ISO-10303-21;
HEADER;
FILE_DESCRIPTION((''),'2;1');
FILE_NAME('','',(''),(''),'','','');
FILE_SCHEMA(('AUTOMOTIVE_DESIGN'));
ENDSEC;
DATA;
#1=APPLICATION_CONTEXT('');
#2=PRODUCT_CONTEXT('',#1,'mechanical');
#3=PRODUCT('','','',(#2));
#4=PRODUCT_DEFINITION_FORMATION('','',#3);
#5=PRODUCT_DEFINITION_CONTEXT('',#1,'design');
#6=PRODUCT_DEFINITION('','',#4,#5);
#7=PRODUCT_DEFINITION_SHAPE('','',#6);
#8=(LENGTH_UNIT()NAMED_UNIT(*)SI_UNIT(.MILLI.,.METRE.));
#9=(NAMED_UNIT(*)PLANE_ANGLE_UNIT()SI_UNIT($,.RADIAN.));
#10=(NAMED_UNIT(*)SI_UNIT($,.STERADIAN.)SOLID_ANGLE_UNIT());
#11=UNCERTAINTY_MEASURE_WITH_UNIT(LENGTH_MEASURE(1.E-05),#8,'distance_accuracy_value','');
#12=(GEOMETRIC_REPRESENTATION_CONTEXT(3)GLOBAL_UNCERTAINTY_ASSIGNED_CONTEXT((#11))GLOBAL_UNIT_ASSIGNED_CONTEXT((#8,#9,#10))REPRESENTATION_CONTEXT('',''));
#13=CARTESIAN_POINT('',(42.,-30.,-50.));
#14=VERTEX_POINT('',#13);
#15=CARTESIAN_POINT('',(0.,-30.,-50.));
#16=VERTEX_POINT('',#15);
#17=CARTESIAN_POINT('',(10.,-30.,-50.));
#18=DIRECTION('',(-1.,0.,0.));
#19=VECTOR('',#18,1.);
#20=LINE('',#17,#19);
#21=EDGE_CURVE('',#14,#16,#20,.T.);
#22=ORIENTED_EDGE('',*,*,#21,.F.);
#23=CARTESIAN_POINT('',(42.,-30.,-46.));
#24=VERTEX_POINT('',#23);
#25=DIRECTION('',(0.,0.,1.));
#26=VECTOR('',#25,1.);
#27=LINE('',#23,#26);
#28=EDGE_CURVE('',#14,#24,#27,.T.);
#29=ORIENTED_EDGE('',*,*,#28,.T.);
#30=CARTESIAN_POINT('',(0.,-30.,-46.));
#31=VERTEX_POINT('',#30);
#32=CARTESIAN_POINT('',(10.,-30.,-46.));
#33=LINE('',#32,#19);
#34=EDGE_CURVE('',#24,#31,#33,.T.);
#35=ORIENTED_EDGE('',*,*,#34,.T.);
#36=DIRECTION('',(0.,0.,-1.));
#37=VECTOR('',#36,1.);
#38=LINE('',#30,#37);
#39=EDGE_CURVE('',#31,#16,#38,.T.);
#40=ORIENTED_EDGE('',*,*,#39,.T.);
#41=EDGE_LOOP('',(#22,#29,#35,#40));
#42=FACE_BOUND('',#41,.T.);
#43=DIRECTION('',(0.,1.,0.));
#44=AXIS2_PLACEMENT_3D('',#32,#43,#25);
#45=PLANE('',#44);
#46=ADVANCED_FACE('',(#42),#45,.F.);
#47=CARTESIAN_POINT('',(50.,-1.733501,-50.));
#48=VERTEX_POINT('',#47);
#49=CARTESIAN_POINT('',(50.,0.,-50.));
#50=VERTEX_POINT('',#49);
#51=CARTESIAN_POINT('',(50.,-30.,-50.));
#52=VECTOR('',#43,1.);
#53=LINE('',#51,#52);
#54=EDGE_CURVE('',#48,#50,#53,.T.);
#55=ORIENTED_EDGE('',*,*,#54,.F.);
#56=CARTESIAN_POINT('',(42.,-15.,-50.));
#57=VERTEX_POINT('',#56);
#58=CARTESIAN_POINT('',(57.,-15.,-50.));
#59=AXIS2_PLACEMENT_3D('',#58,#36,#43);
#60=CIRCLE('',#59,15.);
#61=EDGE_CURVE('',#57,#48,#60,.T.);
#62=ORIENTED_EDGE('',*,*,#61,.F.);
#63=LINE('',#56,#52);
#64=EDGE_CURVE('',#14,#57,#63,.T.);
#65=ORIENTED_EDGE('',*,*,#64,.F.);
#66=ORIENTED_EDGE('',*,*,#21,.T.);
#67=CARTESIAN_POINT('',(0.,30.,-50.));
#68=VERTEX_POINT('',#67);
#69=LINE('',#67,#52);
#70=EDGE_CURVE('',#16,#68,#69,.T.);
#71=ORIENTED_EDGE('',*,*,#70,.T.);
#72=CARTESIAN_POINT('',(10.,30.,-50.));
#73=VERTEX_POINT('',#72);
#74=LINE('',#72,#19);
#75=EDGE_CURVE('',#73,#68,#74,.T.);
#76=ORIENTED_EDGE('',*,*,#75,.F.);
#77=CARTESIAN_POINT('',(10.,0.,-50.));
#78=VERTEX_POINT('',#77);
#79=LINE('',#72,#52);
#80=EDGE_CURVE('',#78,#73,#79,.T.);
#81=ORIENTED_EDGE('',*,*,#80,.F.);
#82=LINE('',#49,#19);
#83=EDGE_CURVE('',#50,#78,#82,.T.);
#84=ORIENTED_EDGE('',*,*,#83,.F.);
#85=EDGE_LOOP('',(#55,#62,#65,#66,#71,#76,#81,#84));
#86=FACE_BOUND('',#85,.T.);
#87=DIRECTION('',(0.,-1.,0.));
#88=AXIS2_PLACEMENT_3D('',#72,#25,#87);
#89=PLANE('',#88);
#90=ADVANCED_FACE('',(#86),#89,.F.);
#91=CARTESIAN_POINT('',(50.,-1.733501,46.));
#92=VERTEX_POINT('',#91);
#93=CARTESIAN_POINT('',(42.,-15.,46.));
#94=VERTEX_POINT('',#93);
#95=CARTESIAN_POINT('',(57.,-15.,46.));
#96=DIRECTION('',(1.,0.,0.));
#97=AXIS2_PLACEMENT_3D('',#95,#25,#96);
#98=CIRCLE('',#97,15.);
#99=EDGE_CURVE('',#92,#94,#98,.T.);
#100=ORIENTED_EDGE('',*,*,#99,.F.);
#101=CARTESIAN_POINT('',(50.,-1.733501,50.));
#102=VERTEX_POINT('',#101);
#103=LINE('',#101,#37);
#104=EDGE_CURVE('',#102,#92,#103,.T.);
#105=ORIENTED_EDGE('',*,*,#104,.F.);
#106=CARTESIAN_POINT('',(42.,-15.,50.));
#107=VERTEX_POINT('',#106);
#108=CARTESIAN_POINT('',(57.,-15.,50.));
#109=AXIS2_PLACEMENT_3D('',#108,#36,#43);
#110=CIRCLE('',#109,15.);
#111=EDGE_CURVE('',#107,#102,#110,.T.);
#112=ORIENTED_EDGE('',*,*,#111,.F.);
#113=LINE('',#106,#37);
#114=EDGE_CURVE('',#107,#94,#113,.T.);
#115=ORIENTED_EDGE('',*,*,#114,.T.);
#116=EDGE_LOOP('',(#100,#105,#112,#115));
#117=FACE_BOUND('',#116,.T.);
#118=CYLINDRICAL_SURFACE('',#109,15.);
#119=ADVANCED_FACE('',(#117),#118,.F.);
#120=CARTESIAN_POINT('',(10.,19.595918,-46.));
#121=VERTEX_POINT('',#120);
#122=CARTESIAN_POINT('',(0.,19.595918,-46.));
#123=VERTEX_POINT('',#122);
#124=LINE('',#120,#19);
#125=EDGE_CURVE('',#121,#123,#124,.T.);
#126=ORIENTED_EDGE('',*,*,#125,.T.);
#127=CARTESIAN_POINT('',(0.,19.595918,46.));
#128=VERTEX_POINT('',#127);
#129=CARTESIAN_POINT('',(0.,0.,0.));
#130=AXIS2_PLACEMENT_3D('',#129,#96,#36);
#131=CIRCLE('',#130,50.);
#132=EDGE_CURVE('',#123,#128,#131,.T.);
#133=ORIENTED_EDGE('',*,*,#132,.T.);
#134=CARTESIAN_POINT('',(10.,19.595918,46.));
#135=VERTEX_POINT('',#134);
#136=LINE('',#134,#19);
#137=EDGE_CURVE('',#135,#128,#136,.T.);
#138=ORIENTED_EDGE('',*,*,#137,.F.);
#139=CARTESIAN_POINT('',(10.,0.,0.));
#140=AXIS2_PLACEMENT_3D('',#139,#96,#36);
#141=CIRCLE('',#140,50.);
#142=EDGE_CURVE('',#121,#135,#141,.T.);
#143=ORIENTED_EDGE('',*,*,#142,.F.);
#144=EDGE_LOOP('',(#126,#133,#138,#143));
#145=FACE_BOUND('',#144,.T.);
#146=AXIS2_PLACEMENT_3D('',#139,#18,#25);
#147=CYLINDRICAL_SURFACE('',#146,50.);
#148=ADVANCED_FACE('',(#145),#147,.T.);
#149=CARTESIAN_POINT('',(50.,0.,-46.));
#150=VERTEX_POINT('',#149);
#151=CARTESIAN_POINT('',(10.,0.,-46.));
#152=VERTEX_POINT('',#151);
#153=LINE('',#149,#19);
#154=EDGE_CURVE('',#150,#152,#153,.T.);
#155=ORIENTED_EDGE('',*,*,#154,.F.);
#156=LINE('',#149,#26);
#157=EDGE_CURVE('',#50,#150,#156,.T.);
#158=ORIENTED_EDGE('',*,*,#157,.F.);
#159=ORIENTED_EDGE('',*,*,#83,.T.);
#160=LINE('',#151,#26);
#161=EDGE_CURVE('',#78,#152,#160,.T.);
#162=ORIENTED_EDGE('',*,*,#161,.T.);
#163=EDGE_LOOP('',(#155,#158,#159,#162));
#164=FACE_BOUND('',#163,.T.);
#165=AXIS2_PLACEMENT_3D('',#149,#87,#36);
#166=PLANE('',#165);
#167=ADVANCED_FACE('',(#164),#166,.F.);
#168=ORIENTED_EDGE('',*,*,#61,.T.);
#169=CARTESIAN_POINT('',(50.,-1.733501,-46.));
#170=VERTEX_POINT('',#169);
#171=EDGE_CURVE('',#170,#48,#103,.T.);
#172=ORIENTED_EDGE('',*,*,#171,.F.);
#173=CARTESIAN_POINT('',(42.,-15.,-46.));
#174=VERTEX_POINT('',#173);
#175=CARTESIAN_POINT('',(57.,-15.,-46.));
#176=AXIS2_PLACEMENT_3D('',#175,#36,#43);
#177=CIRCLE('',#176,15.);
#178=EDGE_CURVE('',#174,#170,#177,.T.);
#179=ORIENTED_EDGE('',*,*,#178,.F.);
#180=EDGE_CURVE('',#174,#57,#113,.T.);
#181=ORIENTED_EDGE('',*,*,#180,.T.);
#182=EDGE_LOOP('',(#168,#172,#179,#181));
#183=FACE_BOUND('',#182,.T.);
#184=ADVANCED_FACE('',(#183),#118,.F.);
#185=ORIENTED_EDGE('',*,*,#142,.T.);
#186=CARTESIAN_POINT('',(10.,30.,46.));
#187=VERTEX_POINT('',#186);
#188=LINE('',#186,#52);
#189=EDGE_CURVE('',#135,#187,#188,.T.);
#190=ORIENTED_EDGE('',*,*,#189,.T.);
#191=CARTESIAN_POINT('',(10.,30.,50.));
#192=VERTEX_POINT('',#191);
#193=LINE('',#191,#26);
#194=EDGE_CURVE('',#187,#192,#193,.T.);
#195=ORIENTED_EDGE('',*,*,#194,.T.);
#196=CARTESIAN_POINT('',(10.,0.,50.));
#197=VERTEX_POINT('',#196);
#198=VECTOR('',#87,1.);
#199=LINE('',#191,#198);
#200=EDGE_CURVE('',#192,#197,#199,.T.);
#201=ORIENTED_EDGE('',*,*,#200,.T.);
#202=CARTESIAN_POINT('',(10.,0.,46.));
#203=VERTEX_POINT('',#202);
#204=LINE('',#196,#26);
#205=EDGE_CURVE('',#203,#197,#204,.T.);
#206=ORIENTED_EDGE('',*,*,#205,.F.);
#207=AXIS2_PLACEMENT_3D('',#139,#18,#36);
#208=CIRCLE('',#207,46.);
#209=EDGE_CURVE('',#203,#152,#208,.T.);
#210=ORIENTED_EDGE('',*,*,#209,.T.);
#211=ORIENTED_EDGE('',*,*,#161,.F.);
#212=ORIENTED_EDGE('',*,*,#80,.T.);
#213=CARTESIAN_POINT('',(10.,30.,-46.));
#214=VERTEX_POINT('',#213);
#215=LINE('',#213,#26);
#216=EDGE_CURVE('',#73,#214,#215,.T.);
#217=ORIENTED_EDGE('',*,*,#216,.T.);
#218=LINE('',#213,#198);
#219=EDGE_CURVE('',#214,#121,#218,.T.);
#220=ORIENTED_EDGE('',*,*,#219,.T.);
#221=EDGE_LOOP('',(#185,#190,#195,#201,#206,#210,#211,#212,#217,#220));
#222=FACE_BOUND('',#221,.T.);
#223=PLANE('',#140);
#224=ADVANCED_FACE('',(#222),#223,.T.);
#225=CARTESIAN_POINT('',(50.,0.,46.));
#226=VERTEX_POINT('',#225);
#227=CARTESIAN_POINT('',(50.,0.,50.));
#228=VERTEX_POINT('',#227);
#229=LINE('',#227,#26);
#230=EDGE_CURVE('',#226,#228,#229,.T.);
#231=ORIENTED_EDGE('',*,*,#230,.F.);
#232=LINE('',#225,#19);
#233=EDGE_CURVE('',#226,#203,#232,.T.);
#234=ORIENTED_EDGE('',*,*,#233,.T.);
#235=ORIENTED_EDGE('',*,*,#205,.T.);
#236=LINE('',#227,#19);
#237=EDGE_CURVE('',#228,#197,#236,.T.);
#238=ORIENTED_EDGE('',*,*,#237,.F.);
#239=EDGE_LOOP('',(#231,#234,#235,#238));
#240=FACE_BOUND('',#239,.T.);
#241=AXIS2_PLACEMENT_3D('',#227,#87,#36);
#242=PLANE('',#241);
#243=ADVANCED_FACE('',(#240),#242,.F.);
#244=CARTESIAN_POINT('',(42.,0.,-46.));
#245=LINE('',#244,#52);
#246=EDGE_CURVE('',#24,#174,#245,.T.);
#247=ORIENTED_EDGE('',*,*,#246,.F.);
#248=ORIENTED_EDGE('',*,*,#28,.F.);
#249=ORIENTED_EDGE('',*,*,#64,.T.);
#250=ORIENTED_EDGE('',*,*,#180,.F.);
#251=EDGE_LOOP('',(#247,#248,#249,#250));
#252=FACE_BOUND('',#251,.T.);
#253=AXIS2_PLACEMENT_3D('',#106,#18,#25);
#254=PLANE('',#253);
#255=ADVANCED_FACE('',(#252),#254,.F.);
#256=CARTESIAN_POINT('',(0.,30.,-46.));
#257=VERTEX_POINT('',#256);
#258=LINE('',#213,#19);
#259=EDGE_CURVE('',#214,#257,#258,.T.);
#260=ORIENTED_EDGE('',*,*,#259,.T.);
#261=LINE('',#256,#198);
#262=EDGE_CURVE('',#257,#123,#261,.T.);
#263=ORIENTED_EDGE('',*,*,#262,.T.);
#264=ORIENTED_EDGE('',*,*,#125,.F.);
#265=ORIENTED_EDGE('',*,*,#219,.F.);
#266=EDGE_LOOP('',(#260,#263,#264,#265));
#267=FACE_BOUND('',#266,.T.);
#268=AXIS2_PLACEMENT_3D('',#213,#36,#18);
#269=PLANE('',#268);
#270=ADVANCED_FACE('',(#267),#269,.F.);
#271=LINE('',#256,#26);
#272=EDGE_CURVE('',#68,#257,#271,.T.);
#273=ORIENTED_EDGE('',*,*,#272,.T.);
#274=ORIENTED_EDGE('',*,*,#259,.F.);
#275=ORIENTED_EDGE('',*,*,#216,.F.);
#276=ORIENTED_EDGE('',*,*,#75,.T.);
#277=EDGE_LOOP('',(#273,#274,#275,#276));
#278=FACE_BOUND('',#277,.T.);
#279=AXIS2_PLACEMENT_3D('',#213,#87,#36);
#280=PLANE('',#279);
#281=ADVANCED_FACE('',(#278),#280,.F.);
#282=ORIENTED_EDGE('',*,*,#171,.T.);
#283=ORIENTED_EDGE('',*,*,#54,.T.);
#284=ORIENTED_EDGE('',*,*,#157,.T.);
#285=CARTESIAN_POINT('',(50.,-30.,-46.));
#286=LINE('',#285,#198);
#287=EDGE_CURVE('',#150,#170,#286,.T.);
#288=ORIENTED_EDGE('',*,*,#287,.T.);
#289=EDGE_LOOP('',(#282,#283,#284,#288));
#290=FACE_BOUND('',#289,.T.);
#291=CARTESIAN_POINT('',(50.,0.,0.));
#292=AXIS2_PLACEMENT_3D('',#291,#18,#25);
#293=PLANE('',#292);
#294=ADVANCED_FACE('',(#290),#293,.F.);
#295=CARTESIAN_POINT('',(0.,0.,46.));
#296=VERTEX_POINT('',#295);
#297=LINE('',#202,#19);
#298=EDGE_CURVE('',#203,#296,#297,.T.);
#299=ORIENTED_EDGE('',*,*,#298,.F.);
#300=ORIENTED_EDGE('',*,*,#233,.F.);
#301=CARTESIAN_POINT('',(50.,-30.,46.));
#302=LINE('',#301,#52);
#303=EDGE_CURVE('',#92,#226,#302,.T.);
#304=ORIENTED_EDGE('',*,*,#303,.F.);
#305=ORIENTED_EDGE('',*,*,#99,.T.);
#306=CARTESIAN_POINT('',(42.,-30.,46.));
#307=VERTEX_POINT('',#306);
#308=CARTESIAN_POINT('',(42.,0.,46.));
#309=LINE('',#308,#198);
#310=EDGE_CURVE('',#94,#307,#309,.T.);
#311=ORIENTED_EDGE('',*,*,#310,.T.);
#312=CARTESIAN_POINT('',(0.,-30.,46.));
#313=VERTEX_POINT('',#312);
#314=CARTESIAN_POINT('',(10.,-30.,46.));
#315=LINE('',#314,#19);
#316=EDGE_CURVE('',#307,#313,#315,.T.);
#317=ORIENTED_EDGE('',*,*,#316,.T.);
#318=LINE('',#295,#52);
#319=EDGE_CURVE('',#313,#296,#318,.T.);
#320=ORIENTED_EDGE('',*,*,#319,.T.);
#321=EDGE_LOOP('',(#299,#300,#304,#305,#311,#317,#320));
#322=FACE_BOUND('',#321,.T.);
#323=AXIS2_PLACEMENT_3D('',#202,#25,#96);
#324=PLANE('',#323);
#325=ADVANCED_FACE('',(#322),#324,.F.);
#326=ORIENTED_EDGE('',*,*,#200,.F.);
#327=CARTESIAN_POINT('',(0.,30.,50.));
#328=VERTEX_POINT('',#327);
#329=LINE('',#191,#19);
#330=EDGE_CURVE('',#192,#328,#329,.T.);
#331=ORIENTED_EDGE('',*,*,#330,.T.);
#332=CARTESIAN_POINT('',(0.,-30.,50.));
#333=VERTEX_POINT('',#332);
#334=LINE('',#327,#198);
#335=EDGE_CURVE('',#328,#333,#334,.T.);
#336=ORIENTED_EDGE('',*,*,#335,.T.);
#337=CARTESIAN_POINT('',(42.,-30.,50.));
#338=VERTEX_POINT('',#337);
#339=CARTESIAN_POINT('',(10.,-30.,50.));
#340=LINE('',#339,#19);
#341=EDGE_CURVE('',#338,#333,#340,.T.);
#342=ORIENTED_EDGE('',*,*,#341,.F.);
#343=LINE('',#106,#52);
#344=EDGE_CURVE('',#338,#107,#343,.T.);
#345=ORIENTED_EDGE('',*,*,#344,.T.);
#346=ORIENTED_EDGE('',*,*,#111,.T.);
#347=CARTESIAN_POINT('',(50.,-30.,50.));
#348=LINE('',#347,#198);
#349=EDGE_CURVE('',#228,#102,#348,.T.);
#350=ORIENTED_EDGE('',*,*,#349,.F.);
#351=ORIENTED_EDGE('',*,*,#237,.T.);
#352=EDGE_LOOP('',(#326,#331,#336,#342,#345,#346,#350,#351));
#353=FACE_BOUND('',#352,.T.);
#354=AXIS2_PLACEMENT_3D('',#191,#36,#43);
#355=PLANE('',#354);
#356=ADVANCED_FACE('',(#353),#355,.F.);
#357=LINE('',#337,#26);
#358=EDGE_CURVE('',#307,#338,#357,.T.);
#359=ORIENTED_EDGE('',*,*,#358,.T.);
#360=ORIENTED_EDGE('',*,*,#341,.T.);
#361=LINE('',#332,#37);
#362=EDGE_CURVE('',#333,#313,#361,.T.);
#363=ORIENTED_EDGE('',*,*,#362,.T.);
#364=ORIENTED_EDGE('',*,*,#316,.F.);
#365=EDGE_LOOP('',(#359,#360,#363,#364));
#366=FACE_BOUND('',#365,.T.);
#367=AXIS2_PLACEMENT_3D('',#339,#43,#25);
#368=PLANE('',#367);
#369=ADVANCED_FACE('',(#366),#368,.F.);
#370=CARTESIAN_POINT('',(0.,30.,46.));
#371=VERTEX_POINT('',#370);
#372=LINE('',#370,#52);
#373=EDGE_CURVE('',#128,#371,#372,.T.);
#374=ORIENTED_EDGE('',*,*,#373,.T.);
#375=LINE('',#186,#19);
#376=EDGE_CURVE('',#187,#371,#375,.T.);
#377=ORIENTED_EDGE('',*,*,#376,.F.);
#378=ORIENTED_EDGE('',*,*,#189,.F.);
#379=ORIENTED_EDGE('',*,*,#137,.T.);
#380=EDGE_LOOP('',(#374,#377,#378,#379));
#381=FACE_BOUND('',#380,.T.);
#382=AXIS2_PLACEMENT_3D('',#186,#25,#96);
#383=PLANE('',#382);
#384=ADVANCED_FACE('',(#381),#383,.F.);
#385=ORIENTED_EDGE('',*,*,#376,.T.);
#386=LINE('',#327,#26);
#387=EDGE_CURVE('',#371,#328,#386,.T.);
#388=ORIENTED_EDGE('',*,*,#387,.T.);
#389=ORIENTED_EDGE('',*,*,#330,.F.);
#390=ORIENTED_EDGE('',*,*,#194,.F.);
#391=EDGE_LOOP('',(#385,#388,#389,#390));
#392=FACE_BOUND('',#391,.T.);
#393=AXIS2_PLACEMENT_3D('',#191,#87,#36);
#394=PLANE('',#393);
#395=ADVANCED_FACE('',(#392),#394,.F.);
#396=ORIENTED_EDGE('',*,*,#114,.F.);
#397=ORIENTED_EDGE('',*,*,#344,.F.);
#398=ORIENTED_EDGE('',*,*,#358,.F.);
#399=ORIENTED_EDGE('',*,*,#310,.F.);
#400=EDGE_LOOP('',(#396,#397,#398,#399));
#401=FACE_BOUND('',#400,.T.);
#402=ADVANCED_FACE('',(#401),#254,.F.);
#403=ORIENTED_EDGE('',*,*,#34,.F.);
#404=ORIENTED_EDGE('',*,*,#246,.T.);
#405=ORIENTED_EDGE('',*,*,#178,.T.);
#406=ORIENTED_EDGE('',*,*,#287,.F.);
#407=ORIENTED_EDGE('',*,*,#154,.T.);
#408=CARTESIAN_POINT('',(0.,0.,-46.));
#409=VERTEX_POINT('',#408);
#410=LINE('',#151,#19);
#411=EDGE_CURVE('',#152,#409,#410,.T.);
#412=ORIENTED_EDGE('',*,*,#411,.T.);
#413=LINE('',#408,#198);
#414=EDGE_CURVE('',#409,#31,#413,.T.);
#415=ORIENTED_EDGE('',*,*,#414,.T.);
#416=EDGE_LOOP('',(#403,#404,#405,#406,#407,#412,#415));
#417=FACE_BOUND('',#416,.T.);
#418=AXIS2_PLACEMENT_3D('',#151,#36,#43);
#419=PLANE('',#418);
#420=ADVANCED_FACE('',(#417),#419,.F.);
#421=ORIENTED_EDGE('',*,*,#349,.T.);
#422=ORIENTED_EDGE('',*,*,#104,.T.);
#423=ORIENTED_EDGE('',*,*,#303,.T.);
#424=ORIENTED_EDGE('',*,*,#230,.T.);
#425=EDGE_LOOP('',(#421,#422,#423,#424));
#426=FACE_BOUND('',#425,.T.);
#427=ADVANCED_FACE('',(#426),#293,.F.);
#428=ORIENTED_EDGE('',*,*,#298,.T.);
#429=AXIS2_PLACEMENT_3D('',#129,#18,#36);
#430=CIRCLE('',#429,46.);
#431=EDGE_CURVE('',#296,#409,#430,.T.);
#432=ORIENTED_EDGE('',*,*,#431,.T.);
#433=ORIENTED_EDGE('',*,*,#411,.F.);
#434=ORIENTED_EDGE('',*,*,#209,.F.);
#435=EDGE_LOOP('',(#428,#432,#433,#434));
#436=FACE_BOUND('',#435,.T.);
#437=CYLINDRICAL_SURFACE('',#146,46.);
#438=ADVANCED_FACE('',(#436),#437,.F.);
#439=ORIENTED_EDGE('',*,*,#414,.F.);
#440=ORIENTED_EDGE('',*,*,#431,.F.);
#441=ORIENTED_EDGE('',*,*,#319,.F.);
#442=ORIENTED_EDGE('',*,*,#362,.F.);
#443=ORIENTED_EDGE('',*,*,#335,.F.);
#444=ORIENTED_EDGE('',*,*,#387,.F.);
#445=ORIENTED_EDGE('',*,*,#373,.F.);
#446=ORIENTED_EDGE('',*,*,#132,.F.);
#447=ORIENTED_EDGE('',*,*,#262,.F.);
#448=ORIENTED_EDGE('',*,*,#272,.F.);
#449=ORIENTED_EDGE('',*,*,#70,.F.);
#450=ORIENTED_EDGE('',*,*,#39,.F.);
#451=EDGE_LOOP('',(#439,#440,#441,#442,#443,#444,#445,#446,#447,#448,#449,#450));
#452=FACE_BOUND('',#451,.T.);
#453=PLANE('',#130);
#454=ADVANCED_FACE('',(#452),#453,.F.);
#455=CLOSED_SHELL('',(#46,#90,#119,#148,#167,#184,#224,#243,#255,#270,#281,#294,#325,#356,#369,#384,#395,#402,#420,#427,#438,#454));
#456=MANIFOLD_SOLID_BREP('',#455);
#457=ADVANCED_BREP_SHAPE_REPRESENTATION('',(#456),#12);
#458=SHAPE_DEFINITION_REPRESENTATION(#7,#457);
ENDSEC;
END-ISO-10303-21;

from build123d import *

# Parameters (mm, degrees)
EXTRUDE_1_DEPTH     = 10
SKETCH_2_W          = 4
SKETCH_2_H          = 30
EXTRUDE_3_DEPTH     = 40
CUT_EXTRUDE_1_DEPTH = 123.474487139


with BuildPart() as part:
    # 草图1 → 凸台-拉伸1 (new body)
    with BuildSketch(Plane(origin=(0, 0, 0), x_dir=(0, 0, -1), z_dir=(1, 0, 0))):
        with BuildLine():
            Line((-50, 30), (-46, 30))
            Line((-46, 30), (-46, 19.595917942))
            ThreePointArc((-46, 19.595917942), (0, 50), (46, 19.595917942))
            Line((46, 19.595917942), (46, 30))
            Line((46, 30), (50, 30))
            Line((50, 30), (50, -30))
            Line((50, -30), (46, -30))
            Line((46, -30), (46, 0))
            ThreePointArc((46, 0), (0, 46), (-46, 0))
            Line((-46, 0), (-46, -30))
            Line((-46, -30), (-50, -30))
            Line((-50, -30), (-50, 30))
        make_face()
    extrude(amount=EXTRUDE_1_DEPTH)

    # 草图2 → 凸台-拉伸3 (add)
    with BuildSketch(Plane(origin=(10, 0, 0), x_dir=(0, 0, -1), z_dir=(1, 0, 0))):
        with Locations((-48, -15)):
            Rectangle(SKETCH_2_W, SKETCH_2_H)
        with Locations((48, -15)):
            Rectangle(SKETCH_2_W, SKETCH_2_H)
    extrude(amount=EXTRUDE_3_DEPTH)

    # 草图3 → 切除-拉伸1 (cut, through all)
    with BuildSketch(Plane(origin=(0, 0, -50), x_dir=(-1, 0, 0), z_dir=(0, 0, -1))):
        with BuildLine():
            Line((-42, -15), (-42, -32.28163942))
            Line((-42, -32.28163942), (-57, -32.28163942))
            Line((-57, -32.28163942), (-57, -30))
            ThreePointArc((-57, -30), (-67.606601718, -4.393398282), (-42, -15))
        make_face()
    extrude(amount=-CUT_EXTRUDE_1_DEPTH, mode=Mode.SUBTRACT)


solid = part.part
